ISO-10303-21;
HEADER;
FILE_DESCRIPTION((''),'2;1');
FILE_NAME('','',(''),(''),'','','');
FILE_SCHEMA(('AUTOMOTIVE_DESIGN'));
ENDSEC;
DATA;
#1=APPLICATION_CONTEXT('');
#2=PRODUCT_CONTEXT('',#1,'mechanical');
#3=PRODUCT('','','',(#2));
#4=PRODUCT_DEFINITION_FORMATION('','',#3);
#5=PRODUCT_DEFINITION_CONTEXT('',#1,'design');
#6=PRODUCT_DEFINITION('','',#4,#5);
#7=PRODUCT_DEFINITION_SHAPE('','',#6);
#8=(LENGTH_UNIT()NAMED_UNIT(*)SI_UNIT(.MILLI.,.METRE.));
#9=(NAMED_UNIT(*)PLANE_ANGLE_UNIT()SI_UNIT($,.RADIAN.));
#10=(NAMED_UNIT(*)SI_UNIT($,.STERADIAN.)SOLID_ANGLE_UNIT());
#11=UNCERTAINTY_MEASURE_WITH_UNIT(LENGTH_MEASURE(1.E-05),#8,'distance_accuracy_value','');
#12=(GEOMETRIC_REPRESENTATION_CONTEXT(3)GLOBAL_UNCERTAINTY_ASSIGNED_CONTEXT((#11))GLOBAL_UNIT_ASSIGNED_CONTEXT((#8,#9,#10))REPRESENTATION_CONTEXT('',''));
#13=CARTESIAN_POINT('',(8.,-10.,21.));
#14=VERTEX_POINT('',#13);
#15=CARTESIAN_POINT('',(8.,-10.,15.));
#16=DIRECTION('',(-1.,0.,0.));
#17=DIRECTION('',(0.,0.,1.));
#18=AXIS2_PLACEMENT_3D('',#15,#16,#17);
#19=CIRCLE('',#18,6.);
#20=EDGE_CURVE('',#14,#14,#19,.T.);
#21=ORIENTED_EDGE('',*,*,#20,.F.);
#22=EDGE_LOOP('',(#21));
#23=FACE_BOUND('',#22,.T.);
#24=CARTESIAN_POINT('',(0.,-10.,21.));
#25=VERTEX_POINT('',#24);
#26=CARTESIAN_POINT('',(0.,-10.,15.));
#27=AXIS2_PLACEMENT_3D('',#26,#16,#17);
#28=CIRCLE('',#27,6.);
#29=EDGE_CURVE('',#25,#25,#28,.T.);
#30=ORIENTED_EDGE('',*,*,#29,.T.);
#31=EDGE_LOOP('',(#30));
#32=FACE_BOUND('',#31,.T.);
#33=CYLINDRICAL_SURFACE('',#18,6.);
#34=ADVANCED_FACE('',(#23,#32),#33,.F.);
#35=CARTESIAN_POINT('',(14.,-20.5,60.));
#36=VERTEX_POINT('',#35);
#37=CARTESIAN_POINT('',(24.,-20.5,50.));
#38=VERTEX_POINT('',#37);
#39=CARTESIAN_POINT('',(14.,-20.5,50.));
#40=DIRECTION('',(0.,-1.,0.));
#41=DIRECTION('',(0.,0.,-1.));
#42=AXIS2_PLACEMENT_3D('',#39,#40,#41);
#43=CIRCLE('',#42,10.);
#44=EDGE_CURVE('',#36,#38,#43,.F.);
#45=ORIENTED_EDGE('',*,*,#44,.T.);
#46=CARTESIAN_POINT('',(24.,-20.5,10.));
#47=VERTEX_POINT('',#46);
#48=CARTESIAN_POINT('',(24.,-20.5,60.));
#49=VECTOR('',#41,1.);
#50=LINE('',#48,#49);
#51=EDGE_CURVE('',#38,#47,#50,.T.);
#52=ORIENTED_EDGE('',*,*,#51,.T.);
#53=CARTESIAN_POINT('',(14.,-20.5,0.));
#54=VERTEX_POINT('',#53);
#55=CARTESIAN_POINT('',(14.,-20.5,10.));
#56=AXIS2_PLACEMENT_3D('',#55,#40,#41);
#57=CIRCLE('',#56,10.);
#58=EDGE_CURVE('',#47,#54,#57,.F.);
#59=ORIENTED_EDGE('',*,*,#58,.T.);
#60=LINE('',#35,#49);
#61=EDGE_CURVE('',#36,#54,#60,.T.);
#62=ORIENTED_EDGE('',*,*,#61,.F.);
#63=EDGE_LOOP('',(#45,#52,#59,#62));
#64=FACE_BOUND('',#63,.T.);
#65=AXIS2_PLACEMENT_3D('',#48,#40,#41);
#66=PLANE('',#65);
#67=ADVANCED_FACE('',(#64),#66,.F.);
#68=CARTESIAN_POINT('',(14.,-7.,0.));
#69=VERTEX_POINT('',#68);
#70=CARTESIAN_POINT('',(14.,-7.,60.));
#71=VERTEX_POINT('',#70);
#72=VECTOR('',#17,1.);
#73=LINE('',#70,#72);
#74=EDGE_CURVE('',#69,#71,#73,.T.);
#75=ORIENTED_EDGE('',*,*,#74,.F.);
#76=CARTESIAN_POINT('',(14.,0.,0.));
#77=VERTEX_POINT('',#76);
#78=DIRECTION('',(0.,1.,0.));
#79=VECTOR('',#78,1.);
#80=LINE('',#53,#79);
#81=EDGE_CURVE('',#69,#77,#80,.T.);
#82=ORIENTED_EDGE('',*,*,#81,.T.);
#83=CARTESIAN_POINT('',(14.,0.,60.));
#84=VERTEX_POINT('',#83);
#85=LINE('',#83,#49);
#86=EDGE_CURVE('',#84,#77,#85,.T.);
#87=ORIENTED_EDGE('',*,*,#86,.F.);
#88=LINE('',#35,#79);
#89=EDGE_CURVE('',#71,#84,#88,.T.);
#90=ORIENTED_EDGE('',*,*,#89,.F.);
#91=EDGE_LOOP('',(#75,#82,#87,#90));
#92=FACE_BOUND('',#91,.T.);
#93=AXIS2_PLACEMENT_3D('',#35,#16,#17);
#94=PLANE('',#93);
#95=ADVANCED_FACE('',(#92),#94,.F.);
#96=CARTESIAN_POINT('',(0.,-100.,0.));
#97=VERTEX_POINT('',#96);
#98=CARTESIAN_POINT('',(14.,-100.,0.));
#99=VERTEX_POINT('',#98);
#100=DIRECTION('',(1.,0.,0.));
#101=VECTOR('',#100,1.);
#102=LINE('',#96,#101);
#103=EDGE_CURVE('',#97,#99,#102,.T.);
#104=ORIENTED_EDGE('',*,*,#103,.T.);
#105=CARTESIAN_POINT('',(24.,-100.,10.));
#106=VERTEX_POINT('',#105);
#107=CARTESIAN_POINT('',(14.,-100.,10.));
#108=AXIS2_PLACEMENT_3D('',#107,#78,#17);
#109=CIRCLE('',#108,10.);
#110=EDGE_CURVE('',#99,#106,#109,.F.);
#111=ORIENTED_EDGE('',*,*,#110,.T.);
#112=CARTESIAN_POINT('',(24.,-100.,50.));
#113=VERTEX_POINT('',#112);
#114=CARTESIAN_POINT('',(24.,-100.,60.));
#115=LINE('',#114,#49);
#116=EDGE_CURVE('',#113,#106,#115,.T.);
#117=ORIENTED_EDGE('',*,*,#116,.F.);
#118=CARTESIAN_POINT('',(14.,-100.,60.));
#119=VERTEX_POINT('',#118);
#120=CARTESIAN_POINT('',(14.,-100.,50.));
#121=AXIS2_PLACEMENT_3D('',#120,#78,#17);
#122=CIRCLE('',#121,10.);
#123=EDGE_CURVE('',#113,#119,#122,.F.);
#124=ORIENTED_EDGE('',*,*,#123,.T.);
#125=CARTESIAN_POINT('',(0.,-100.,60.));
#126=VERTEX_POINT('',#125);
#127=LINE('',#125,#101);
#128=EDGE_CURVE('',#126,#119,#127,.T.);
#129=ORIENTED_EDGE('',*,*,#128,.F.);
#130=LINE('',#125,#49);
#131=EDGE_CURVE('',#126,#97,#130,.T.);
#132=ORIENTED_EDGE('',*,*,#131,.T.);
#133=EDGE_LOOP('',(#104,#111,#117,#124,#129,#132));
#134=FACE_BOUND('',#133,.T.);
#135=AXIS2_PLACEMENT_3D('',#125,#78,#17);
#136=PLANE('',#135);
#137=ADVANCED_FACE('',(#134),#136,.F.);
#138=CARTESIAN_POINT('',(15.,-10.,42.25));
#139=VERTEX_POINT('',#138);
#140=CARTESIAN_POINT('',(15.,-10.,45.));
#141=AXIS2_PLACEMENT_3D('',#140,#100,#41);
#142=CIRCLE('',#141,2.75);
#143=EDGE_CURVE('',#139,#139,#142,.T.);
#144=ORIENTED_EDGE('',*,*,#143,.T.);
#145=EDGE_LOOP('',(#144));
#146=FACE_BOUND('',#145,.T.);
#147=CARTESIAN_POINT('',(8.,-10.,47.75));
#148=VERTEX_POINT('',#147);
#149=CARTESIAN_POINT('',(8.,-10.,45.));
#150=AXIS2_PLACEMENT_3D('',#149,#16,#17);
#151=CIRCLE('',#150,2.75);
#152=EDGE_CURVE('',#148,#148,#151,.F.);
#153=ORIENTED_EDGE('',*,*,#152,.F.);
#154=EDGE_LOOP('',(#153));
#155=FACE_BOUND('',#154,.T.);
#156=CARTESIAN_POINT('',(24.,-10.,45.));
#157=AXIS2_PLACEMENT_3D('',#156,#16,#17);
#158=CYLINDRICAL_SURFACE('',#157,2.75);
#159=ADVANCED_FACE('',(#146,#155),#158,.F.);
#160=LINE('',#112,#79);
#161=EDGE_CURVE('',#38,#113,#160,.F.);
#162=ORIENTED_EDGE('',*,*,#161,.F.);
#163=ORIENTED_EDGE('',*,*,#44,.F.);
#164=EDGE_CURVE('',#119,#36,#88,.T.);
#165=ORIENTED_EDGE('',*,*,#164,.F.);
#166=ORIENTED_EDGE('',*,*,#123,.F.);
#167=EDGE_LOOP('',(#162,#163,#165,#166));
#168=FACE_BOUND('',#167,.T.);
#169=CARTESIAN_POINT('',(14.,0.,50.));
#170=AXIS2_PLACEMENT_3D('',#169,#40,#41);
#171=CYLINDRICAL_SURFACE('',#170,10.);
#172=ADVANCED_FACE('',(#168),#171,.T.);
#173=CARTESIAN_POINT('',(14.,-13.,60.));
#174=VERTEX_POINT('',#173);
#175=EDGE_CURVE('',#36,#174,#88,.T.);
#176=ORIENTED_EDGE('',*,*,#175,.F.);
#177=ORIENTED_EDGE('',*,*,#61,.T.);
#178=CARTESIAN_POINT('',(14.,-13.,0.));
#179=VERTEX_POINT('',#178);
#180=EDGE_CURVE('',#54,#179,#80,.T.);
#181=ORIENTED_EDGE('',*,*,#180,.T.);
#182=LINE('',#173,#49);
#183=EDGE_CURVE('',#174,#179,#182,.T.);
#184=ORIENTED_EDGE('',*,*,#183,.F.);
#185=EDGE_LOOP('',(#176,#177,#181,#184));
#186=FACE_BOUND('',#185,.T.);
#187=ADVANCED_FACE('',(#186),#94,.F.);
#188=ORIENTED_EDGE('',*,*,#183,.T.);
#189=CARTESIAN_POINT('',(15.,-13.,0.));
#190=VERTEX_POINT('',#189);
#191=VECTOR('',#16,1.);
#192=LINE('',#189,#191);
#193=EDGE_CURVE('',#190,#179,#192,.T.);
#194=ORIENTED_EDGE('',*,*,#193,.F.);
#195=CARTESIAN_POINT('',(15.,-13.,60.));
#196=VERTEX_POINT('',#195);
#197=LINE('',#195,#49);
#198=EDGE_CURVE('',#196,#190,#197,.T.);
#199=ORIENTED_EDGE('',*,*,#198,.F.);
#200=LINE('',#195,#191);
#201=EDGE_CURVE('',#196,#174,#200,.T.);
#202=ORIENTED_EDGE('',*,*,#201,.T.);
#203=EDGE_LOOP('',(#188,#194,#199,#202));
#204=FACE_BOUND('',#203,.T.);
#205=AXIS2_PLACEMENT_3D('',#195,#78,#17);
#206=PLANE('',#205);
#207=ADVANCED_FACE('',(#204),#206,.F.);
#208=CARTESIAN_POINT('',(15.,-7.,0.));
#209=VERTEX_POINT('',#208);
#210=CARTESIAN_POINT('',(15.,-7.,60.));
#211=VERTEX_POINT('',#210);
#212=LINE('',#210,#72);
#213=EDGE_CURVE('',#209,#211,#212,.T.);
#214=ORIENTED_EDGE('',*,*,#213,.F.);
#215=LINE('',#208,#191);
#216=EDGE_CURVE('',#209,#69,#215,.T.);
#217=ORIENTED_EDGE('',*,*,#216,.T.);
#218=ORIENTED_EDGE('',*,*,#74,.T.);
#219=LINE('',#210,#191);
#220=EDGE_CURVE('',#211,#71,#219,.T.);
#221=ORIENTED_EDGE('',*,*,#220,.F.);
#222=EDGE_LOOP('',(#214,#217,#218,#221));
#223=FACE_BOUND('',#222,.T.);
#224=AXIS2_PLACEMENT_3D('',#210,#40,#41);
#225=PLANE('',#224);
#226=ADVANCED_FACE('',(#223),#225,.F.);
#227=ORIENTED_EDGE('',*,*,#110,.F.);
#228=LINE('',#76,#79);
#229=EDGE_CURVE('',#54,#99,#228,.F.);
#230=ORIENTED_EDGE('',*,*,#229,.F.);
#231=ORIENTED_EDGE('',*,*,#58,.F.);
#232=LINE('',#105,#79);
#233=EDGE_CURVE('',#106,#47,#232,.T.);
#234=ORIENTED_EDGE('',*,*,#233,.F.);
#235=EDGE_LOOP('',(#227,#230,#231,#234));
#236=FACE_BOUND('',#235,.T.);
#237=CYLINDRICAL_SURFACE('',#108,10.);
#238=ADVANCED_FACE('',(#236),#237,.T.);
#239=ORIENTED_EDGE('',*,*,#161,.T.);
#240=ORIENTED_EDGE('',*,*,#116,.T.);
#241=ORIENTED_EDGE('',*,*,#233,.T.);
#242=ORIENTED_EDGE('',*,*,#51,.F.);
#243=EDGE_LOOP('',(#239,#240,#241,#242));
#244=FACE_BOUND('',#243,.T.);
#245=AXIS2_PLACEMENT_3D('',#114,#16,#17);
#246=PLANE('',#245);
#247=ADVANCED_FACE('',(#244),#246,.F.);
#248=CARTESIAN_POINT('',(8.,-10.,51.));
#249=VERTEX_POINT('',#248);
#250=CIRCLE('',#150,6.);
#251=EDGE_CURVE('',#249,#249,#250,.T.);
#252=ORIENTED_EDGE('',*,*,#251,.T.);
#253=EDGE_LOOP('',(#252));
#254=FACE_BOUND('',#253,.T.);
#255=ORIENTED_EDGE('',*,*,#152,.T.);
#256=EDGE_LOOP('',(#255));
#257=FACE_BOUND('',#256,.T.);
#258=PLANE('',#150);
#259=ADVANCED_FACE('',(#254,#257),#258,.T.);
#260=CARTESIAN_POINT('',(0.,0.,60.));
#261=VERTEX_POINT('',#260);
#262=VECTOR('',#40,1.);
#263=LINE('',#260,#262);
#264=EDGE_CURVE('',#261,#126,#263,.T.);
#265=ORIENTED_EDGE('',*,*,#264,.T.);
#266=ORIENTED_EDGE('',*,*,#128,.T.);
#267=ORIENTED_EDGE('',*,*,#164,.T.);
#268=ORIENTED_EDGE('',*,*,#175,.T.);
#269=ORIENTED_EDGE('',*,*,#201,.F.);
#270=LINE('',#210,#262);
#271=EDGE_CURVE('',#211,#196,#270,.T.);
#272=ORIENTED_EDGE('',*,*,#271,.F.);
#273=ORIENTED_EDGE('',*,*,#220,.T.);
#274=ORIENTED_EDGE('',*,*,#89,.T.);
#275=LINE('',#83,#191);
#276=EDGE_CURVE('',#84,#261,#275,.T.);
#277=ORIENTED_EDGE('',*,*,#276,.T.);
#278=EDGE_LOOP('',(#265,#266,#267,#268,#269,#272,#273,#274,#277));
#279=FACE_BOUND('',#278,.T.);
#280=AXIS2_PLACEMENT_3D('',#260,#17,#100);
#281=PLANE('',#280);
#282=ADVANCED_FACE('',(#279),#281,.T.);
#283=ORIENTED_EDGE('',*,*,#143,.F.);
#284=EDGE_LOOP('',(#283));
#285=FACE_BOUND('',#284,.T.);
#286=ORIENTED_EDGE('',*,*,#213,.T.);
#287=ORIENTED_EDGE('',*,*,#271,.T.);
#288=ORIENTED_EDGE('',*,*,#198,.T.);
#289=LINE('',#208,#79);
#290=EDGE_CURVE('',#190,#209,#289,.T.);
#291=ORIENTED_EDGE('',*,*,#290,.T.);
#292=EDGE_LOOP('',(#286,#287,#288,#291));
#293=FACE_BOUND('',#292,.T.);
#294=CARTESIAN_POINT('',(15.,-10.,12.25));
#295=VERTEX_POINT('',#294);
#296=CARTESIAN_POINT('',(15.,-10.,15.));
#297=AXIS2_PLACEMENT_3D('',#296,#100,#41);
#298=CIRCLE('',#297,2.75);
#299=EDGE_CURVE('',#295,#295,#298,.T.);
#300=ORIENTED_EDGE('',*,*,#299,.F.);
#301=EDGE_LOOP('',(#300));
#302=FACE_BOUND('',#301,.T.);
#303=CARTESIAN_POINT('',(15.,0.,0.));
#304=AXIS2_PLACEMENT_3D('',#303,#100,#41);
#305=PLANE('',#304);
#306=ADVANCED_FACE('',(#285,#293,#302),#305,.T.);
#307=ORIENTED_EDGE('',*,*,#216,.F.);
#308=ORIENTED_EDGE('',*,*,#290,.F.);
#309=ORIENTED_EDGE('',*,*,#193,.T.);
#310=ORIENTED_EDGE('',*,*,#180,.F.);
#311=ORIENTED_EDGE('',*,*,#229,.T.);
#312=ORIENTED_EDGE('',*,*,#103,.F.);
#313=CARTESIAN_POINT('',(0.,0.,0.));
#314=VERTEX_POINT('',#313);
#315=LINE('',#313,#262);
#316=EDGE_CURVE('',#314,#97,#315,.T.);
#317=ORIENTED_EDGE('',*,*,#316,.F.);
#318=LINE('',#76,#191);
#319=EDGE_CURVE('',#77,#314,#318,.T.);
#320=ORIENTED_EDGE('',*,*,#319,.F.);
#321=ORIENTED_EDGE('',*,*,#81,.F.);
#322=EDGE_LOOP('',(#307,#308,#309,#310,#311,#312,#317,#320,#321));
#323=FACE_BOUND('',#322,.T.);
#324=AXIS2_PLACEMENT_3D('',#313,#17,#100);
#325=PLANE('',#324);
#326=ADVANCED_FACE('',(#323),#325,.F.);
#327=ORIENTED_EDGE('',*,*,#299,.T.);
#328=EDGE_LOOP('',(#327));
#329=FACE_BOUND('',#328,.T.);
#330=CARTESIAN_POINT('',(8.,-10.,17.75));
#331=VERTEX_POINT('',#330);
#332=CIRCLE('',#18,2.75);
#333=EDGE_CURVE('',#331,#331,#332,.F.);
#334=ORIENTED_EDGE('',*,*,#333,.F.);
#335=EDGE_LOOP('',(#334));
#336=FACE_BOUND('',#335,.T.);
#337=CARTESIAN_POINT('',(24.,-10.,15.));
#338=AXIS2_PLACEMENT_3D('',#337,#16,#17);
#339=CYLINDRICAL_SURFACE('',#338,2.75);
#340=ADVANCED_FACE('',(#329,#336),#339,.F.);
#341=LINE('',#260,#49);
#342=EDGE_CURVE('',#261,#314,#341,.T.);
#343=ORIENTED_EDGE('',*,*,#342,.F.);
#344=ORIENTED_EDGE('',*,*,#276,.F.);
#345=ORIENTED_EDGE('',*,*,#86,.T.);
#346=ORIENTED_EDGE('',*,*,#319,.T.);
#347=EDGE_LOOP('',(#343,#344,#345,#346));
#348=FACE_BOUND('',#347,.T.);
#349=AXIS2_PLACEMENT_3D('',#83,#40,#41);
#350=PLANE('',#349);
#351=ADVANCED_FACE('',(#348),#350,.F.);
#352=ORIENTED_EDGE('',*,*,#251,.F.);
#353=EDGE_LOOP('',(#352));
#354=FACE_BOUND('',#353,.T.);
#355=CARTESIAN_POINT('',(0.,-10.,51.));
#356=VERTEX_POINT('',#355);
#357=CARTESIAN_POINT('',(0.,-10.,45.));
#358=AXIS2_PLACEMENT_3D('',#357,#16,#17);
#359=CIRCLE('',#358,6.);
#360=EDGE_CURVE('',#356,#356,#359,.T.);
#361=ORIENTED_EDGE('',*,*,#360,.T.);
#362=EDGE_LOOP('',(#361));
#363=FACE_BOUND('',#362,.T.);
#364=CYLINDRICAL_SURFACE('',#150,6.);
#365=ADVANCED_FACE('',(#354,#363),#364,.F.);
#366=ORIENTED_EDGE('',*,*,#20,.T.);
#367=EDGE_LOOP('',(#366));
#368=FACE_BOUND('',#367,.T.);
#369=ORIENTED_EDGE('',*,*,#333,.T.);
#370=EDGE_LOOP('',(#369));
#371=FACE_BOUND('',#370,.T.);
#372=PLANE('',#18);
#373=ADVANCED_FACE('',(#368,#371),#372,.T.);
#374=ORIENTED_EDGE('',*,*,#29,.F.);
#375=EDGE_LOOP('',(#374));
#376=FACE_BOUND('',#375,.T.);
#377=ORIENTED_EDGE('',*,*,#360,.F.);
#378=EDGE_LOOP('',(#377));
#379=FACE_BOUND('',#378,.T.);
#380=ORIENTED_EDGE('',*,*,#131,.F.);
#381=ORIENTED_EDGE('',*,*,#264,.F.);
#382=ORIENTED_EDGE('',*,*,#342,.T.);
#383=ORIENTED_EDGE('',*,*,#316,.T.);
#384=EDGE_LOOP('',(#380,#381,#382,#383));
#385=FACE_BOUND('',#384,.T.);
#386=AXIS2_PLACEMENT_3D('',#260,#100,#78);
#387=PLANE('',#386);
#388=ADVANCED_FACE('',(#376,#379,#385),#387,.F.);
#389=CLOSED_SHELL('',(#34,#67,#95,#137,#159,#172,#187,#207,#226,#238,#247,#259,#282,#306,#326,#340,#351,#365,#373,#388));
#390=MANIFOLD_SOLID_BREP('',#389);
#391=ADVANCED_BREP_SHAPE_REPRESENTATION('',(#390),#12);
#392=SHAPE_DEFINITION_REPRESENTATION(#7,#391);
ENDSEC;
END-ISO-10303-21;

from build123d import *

# Parameters (mm, degrees)
SALIENTE_EXTRUIR1_DEPTH = 60
CROQUIS4_W              = 60
CROQUIS4_H              = 6
SALIENTE_EXTRUIR3_DEPTH = 1
CROQUIS5_R              = 2.75
CORTAR_EXTRUIR1_DEPTH   = 25
CROQUIS6_R              = 6
CORTAR_EXTRUIR2_DEPTH   = 8
REDONDEO1_R             = 10


with BuildPart() as part:
    # Croquis1 → Saliente-Extruir1 (new body)
    with BuildSketch(Plane.XY):
        Polygon((24, -100), (24, -20.5), (14, -20.5), (14, 0), (0, 0), (0, -100), align=None)
    extrude(amount=SALIENTE_EXTRUIR1_DEPTH)

    # Croquis4 → Saliente-Extruir3 (add)
    with BuildSketch(Plane(origin=(14, 0, 0), x_dir=(0, 0, -1), z_dir=(1, 0, 0))):
        with Locations((-30, -10)):
            Rectangle(CROQUIS4_W, CROQUIS4_H)
    extrude(amount=SALIENTE_EXTRUIR3_DEPTH)

    # Croquis5 → Cortar-Extruir1 (cut, through all)
    with BuildSketch(Plane.ZY):
        with Locations((15, -10)):
            Circle(CROQUIS5_R)
        with Locations((45, -10)):
            Circle(CROQUIS5_R)
    extrude(amount=-CORTAR_EXTRUIR1_DEPTH, mode=Mode.SUBTRACT)

    # Croquis6 → Cortar-Extruir2 (cut)
    with BuildSketch(Plane.ZY):
        with Locations((15, -10)):
            Circle(CROQUIS6_R)
        with Locations((45, -10)):
            Circle(CROQUIS6_R)
    extrude(amount=-CORTAR_EXTRUIR2_DEPTH, mode=Mode.SUBTRACT)

    # Redondeo1
    redondeo1_edges = [part.edges().sort_by_distance(p)[0] for p in [
        (24, -60.25, 0),
        (24, -60.25, 60),
    ]]
    fillet(redondeo1_edges, radius=REDONDEO1_R)


solid = part.part
